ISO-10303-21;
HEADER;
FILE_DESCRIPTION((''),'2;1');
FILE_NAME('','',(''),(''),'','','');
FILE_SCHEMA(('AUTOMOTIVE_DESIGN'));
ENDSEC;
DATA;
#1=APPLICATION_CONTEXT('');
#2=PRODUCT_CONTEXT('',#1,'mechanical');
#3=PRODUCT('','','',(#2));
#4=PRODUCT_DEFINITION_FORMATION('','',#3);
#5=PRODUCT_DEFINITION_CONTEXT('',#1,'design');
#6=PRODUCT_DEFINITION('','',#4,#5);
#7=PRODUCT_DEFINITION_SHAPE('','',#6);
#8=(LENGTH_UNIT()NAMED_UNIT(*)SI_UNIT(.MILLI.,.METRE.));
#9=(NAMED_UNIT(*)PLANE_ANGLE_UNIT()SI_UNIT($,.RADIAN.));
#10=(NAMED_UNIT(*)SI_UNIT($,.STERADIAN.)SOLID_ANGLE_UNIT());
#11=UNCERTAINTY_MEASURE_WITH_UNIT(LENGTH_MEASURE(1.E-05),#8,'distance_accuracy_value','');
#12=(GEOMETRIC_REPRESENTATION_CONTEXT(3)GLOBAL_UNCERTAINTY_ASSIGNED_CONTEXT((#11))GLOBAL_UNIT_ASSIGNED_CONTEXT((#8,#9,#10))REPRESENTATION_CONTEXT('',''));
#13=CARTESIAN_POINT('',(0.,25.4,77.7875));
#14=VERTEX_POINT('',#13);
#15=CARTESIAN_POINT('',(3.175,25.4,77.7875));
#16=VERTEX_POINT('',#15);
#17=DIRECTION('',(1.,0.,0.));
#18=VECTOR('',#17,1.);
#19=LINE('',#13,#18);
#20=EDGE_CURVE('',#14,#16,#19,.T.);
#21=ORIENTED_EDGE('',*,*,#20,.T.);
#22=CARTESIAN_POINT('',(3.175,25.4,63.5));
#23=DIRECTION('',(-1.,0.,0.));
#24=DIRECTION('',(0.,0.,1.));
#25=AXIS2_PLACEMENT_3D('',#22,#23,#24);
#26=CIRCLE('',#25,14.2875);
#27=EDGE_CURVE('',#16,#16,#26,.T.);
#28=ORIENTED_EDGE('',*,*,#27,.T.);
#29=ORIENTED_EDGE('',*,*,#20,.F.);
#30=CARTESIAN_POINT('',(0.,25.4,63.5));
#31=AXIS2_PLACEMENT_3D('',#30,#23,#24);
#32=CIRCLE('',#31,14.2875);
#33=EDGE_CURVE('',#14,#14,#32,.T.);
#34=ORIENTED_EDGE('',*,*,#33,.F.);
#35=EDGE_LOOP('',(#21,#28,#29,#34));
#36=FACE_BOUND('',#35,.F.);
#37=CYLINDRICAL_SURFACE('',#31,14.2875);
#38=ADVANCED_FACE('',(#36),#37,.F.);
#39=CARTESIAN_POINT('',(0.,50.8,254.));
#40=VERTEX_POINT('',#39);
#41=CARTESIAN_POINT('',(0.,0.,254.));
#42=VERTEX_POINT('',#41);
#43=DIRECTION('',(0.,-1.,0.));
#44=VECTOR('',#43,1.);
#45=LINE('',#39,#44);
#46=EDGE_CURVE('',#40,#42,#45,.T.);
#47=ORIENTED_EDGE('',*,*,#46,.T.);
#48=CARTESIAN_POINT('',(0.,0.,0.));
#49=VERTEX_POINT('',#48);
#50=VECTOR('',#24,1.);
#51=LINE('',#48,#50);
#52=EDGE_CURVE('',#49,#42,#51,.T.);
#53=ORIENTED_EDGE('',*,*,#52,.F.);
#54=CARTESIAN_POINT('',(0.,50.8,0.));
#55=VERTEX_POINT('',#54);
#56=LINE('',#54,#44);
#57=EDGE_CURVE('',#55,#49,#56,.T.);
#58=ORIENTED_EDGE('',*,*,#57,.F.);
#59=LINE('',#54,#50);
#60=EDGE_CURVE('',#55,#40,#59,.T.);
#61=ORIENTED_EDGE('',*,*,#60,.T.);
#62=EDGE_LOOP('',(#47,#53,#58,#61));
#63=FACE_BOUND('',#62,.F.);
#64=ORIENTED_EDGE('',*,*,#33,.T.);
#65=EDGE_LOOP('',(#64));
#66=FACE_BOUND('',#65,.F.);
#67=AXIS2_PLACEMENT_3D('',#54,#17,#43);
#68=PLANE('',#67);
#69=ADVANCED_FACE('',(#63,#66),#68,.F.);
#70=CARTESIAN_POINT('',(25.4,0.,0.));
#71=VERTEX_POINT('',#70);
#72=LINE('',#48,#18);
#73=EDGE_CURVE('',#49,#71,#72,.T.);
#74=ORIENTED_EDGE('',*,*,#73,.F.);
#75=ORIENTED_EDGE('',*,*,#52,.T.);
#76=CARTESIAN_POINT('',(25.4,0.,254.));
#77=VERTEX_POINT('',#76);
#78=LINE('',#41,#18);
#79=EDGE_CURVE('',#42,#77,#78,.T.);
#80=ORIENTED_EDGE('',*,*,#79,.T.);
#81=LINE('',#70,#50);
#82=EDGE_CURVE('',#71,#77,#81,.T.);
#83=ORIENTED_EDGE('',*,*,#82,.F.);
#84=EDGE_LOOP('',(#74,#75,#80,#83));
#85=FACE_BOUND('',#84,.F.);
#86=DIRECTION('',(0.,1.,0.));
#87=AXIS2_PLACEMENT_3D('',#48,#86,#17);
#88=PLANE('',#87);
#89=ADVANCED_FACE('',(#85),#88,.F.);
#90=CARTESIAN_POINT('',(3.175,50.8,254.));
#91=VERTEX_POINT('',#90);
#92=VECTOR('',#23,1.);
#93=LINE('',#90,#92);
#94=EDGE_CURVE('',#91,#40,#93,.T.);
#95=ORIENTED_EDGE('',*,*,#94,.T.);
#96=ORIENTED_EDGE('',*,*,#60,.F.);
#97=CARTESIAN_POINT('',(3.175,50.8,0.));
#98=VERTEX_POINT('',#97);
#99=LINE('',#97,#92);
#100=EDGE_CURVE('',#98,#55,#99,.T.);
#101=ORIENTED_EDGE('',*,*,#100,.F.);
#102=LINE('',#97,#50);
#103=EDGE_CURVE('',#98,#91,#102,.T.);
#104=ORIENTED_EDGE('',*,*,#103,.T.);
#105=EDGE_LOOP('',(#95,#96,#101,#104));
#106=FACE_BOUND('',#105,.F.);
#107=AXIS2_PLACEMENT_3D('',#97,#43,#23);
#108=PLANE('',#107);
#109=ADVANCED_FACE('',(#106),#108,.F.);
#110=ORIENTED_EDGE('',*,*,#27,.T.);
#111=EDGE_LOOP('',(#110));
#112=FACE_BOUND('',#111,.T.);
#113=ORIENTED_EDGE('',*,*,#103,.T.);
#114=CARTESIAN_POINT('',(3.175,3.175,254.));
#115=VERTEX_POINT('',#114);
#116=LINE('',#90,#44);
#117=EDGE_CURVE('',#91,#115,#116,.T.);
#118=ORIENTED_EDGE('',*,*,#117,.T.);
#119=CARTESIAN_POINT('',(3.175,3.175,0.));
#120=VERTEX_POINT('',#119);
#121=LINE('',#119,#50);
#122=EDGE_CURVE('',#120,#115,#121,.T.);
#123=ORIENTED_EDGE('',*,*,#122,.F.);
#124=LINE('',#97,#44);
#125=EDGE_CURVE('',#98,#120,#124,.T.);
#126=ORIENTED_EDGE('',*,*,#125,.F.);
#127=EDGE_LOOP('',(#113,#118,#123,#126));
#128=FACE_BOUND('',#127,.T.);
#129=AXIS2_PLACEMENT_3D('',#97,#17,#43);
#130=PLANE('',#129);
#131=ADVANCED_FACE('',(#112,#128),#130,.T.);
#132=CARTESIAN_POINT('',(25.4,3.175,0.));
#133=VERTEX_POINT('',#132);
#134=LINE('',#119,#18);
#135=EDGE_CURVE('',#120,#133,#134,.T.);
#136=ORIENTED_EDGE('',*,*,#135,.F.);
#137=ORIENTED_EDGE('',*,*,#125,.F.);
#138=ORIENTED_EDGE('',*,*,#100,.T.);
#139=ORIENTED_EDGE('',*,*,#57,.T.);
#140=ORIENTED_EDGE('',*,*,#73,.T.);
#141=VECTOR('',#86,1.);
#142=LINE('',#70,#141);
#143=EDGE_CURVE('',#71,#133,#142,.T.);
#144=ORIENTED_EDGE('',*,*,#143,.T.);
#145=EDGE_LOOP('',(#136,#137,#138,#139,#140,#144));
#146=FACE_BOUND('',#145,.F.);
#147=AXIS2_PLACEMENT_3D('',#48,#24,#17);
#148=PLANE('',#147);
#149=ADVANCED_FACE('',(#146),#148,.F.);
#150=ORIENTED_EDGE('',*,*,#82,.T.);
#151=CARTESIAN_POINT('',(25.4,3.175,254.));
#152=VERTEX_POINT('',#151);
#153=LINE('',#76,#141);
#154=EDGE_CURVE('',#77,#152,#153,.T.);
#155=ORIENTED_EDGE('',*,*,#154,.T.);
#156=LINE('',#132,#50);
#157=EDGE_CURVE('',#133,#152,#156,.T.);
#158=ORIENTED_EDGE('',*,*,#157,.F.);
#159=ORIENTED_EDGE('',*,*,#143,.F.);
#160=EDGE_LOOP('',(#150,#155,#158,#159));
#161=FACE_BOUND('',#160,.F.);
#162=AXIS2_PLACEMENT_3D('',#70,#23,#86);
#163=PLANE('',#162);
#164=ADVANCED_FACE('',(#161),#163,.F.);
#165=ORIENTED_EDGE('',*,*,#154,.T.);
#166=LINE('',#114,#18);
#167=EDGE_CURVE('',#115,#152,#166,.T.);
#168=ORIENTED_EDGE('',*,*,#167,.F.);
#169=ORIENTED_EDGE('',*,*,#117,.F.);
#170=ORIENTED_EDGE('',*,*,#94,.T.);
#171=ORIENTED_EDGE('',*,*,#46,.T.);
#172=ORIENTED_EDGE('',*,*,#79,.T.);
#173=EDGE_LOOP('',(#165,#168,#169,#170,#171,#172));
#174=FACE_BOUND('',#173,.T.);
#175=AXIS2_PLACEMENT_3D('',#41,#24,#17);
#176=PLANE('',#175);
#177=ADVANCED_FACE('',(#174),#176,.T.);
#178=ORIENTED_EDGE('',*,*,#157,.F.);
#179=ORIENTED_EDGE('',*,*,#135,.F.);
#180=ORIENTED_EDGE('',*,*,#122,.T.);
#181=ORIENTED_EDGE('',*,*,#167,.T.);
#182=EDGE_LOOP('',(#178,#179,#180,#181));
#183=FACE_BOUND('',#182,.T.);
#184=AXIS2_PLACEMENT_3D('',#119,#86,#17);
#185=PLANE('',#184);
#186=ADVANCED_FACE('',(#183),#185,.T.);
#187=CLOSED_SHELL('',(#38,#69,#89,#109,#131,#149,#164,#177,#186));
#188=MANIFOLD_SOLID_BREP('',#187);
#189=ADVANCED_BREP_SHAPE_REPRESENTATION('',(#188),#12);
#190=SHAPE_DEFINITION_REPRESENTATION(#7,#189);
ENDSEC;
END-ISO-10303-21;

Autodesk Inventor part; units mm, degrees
ref_plane "YZ Plane" through (0, 0, 0) normal (1, 0, 0) x (0, 1, 0)
ref_plane "XZ Plane" through (0, 0, 0) normal (0, 1, 0) x (-1, 0, 0)
ref_plane "XY Plane" through (0, 0, 0) normal (0, 0, 1) x (1, 0, 0)
sketch "Sketch1" plane through (0, 0, 0) normal (0, 0, 1) x (1, 0, 0)
  line L0 (0, 0) -> (25.4, 0)
  line L1 (25.4, 0) -> (25.4, 3.175)
  line L2 (3.175, 50.8) -> (0, 50.8)
  line L3 (0, 50.8) -> (0, 0)
  line L4 (3.175, 50.8) -> (3.175, 3.175)
  line L5 (3.175, 3.175) -> (25.4, 3.175)
  dimension "d0" = 50.8
  dimension "d1" = 25.4
  dimension "d2" = 3.175
  dimension "d3" = 3.175
extrude "Extrusion1" add sketch "Sketch1" along normal blind 254
sketch "Sketch2" plane through (0, 0, 0) normal (-1, 0, 0) x (0, 0, 1)
  line L0 (0, 50.8) -> (0, 0) projected
  line L1 (0, 0) -> (254, 0) projected
  circle A0 centre (63.5, 25.4) radius 14.2875
  dimension "d6" = 28.575
  dimension "d7" = 63.5
  dimension "d8" = 25.4
extrude "Extrusion2" cut sketch "Sketch2" against normal through all
equation "\"d2\" = d3"
properties part number "8 ball bearing plate right"
